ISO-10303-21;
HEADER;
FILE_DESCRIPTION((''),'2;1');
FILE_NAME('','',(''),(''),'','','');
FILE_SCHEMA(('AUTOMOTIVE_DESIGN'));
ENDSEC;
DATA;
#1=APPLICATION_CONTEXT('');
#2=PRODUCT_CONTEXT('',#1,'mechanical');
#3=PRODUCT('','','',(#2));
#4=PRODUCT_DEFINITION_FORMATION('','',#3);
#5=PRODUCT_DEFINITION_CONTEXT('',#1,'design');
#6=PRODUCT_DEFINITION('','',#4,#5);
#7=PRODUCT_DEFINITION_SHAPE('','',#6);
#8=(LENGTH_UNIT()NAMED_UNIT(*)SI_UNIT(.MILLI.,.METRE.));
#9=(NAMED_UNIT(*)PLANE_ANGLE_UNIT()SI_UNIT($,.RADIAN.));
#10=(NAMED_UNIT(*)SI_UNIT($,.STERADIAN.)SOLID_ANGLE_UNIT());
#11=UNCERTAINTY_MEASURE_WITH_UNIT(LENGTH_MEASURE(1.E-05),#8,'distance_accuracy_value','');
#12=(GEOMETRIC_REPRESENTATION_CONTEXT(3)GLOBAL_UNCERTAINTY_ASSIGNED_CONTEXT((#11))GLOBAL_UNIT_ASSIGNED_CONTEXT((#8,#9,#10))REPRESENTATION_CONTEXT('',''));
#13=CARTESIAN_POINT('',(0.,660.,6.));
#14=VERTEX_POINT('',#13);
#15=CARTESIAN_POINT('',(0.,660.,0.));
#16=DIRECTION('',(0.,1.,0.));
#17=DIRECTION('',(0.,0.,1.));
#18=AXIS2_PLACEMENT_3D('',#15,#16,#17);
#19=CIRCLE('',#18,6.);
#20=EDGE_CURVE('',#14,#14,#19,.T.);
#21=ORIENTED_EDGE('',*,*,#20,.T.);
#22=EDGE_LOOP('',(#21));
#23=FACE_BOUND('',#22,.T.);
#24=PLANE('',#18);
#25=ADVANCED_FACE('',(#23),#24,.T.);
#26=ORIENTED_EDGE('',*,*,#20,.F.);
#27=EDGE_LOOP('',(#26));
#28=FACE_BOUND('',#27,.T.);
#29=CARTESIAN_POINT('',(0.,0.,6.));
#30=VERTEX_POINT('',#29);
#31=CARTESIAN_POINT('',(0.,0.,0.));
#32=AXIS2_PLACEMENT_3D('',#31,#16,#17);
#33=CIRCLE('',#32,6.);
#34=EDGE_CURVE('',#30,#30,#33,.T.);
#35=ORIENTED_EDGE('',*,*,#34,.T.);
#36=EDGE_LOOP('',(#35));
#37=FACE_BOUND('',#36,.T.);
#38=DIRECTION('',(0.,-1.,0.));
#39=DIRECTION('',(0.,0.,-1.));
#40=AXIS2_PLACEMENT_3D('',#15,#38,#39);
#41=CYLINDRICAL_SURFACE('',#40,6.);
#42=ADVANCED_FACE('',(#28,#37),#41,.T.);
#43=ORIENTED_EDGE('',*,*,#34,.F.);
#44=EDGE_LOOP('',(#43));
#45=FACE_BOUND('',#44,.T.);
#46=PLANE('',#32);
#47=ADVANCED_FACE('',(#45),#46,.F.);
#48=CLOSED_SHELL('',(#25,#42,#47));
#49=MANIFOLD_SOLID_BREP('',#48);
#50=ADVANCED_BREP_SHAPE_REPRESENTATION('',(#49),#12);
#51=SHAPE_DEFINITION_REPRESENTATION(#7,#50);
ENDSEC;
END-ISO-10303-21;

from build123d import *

# Parameters (mm, degrees)
SKETCH1_R           = 6
BOSS_EXTRUDE1_DEPTH = 660


with BuildPart() as part:
    # Sketch1 → Boss-Extrude1 (new body)
    with BuildSketch(Plane(origin=(0, 0, 0), x_dir=(1, 0, 0), z_dir=(0, 1, 0))):
        Circle(SKETCH1_R)
    extrude(amount=BOSS_EXTRUDE1_DEPTH)


solid = part.part
